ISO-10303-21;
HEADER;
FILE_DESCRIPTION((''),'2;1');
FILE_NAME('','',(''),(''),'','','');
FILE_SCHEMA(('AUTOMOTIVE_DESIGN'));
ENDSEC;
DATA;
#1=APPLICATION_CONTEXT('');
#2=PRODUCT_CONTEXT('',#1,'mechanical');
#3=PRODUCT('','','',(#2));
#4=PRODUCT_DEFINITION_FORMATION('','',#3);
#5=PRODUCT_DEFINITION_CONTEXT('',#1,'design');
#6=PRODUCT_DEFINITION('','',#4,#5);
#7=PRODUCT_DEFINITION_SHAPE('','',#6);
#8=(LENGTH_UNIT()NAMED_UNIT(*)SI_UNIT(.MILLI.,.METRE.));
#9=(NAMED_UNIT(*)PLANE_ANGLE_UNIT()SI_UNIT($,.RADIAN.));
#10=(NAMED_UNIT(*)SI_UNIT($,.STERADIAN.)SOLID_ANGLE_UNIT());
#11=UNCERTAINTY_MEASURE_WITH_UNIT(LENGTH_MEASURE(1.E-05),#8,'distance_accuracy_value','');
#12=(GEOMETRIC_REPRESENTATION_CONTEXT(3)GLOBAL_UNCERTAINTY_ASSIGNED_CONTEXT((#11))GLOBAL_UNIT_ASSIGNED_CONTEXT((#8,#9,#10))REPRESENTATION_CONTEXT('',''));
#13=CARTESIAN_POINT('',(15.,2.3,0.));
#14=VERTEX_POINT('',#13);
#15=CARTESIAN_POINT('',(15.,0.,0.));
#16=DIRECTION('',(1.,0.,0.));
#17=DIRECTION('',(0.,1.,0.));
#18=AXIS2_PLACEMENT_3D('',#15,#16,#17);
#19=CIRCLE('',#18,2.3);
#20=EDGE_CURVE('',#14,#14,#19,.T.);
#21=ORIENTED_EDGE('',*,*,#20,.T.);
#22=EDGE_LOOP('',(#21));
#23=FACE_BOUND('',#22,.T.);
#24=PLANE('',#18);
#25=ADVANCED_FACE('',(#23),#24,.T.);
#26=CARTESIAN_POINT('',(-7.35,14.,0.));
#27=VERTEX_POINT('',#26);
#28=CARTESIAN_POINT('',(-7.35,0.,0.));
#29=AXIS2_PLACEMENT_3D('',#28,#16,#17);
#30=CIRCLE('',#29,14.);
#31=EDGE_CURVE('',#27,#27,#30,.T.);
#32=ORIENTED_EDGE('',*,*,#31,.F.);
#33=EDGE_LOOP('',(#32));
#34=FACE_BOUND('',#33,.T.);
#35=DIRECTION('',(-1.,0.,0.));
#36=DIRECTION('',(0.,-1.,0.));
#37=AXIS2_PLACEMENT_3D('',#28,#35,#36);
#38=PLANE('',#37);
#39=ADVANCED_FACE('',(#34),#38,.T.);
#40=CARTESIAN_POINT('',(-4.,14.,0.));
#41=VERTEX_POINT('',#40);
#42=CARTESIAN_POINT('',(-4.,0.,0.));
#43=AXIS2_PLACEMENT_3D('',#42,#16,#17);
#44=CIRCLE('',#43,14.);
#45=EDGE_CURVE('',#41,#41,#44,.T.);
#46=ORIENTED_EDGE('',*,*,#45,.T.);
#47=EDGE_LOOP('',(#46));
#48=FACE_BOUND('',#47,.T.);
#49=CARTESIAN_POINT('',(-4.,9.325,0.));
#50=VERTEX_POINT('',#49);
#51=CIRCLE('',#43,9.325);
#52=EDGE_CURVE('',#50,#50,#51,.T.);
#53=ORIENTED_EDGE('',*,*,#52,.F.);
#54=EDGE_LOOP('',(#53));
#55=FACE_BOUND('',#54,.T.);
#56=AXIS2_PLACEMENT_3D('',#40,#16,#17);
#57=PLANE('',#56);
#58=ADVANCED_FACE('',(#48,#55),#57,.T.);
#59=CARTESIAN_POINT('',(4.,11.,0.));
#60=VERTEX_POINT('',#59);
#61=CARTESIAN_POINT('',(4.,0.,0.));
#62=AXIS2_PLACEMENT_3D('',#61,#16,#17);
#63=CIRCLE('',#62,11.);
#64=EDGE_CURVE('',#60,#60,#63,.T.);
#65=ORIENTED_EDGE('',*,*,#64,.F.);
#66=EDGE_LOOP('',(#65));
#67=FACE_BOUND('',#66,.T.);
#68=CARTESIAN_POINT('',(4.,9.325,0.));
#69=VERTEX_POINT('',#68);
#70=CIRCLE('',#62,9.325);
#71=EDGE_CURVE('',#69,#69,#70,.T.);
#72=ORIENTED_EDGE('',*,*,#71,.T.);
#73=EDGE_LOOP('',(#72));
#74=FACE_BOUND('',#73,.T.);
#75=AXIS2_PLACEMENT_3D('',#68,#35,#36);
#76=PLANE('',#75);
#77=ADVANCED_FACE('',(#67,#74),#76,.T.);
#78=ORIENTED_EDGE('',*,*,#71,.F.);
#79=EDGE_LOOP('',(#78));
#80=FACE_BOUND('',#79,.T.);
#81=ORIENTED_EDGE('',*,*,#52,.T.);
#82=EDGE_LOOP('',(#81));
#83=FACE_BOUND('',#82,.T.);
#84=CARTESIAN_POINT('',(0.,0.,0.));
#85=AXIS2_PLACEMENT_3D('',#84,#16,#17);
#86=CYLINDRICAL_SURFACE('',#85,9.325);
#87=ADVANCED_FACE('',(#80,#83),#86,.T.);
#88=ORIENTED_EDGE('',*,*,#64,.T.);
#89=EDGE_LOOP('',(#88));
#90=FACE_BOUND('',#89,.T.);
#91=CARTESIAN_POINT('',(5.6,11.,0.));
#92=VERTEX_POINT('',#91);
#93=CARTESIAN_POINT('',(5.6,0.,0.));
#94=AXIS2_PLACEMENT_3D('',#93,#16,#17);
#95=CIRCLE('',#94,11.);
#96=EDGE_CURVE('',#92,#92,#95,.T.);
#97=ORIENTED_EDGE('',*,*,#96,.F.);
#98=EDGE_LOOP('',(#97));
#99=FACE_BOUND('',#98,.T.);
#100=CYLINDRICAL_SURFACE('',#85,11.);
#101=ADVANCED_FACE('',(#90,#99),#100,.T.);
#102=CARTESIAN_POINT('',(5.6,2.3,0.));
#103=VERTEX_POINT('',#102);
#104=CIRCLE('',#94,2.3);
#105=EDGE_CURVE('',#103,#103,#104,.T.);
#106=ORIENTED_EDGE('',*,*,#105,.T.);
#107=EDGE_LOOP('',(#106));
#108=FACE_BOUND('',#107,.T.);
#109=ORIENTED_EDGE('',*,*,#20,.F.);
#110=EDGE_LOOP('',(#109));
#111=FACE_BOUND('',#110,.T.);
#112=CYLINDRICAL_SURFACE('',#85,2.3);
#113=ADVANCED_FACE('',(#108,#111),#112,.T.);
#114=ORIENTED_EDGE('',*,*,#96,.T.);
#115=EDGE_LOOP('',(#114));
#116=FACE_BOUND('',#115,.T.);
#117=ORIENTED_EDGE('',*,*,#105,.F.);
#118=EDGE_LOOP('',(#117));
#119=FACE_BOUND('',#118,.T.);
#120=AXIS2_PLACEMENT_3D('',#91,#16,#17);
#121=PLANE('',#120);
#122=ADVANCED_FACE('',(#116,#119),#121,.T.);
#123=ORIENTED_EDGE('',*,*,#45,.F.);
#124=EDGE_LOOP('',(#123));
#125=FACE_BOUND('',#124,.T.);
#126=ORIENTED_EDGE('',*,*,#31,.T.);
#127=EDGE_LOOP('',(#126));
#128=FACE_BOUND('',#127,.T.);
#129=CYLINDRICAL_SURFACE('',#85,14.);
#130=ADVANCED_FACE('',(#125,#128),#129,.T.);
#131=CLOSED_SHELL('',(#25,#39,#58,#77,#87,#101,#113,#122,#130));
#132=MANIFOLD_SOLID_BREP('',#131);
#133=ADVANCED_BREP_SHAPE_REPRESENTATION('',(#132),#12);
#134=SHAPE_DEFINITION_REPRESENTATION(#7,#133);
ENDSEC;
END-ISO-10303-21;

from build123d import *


with BuildPart() as part:
    # Sketch1 → Revolve1 (revolve)
    with BuildSketch(Plane.XY):
        Polygon((-7.35, 14), (-4, 14), (-4, 9.325), (4, 9.325), (4, 11), (5.6, 11), (5.6, 2.3), (15, 2.3), (15, 0), (5.6, 0), (-7.35, 0), align=None)
    revolve(axis=Axis((0, 0, 0), (-1, 0, 0)))


solid = part.part
